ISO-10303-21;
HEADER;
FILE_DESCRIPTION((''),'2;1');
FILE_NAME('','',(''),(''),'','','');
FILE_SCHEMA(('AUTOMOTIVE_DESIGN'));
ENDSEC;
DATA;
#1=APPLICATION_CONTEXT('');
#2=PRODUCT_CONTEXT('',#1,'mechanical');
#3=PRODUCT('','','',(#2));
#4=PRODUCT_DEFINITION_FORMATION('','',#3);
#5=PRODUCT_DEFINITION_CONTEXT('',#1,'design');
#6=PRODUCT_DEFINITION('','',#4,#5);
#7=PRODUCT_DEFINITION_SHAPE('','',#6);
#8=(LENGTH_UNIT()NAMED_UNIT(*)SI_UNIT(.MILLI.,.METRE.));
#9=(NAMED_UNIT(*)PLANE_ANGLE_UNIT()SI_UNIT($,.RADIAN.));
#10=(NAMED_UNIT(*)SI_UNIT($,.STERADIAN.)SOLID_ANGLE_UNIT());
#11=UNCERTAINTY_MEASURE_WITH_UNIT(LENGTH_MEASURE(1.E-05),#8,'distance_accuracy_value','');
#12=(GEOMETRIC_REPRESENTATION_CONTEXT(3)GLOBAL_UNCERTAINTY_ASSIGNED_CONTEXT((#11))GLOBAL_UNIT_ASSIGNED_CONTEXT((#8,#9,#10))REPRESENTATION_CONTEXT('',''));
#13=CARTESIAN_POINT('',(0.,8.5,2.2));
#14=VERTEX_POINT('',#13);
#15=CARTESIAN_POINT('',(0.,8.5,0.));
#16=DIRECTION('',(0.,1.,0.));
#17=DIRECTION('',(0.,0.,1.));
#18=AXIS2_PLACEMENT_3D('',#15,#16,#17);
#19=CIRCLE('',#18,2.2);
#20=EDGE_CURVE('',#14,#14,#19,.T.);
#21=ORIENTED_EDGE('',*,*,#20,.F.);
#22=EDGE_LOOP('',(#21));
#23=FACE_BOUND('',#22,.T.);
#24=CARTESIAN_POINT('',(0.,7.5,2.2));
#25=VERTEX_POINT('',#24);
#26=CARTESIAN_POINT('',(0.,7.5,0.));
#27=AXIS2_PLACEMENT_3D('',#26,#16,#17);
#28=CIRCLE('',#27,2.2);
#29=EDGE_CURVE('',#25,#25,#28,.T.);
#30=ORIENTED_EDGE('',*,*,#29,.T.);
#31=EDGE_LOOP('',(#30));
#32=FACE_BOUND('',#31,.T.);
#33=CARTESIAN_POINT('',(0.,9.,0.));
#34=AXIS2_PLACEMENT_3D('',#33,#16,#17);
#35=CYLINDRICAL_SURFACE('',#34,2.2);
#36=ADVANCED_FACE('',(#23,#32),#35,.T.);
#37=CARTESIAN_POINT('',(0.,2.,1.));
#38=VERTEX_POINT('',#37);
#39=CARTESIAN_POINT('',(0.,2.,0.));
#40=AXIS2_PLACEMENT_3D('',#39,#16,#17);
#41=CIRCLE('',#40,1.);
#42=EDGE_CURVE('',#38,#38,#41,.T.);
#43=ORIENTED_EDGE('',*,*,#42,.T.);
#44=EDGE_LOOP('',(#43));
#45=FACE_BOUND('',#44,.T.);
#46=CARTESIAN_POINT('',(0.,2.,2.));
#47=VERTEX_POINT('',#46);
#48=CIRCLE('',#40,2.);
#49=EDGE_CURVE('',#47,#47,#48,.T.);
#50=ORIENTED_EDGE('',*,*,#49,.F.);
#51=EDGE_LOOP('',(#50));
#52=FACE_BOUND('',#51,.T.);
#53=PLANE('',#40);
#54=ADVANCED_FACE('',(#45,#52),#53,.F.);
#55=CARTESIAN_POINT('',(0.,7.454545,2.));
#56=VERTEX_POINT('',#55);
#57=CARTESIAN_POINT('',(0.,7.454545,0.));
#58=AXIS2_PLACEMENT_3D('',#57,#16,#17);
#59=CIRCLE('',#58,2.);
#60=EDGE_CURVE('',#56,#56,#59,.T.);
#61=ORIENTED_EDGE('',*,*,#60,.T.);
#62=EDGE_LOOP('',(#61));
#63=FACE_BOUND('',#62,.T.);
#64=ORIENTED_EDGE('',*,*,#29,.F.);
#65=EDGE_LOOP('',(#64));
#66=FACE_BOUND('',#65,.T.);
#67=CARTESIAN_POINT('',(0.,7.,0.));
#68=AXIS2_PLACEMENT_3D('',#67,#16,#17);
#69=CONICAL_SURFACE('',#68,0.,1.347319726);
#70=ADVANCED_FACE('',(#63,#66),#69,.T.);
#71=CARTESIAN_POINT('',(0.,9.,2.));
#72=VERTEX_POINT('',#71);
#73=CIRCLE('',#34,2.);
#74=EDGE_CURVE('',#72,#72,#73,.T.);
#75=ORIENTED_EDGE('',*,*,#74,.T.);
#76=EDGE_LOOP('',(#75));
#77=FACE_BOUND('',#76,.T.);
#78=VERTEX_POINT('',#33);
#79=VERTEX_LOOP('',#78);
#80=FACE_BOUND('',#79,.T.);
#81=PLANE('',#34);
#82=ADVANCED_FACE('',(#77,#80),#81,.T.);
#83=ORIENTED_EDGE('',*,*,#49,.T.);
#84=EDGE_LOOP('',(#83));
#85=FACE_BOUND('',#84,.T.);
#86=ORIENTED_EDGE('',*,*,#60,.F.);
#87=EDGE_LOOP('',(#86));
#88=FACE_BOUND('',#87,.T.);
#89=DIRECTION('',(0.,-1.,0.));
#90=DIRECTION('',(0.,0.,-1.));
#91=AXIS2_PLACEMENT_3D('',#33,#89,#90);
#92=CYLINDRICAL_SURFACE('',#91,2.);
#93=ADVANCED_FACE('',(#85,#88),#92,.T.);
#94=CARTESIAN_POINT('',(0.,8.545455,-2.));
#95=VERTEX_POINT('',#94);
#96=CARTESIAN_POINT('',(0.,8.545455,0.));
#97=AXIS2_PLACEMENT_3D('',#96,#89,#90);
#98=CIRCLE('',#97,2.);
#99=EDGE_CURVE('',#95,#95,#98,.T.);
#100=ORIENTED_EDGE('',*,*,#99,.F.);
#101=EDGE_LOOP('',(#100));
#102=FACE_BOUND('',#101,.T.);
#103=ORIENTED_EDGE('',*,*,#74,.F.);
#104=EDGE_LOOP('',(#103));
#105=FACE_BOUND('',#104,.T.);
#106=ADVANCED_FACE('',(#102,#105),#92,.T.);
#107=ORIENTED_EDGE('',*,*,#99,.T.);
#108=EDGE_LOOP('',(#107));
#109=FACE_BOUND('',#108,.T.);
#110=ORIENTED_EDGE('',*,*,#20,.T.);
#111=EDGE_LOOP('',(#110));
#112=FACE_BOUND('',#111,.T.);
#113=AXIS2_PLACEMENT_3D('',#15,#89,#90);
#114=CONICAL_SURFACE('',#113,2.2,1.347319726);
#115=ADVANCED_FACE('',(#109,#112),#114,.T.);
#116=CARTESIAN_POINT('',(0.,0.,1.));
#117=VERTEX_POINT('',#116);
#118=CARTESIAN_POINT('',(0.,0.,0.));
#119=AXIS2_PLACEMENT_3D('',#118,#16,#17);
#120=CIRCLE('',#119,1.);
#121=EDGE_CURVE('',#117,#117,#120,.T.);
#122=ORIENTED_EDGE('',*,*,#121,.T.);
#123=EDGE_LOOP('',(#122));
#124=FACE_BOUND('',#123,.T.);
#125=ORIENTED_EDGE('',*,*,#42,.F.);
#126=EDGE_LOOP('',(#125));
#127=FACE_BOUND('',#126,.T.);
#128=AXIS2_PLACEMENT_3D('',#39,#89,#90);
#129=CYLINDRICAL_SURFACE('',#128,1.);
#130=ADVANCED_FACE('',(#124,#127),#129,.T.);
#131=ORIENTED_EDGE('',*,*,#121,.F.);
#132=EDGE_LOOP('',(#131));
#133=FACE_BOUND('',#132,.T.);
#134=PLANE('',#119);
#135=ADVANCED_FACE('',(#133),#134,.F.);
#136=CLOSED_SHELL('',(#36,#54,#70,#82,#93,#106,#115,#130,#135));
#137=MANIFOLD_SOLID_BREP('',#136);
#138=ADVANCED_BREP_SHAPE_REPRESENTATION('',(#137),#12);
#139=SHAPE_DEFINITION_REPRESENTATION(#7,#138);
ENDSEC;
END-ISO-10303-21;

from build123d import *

# Parameters (mm, degrees)
SKETCH_1_R      = 1
EXTRUDE_1_DEPTH = 2
SKETCH_2_R      = 2
EXTRUDE_2_DEPTH = 7


with BuildPart() as part:
    # 草图1 → 凸台-拉伸1 (new body)
    with BuildSketch(Plane(origin=(0, 0, 0), x_dir=(1, 0, 0), z_dir=(0, 1, 0))):
        with Locations(Location((0, 0, 0), (0, 0, 270))):
            Circle(SKETCH_1_R)
    extrude(amount=EXTRUDE_1_DEPTH)

    # 草图2 → 凸台-拉伸2 (add)
    with BuildSketch(Plane(origin=(0, 2, 0), x_dir=(1, 0, 0), z_dir=(0, 1, 0))):
        with Locations(Location((0, 0, 0), (0, 0, 270))):
            Circle(SKETCH_2_R)
    extrude(amount=EXTRUDE_2_DEPTH)

    # 草图3 → 旋转1 (revolve)
    with BuildSketch(Plane.XY, mode=Mode.PRIVATE) as revolve_1_sk:
        Polygon((0, 9), (0, 7), (2.2, 7.5), (2.2, 8.5), align=None)
    revolve(revolve_1_sk.sketch.rotate(Axis((0, 9, 0), (0, -1, 0)), 90), axis=Axis((0, 9, 0), (0, -1, 0)))


solid = part.part
